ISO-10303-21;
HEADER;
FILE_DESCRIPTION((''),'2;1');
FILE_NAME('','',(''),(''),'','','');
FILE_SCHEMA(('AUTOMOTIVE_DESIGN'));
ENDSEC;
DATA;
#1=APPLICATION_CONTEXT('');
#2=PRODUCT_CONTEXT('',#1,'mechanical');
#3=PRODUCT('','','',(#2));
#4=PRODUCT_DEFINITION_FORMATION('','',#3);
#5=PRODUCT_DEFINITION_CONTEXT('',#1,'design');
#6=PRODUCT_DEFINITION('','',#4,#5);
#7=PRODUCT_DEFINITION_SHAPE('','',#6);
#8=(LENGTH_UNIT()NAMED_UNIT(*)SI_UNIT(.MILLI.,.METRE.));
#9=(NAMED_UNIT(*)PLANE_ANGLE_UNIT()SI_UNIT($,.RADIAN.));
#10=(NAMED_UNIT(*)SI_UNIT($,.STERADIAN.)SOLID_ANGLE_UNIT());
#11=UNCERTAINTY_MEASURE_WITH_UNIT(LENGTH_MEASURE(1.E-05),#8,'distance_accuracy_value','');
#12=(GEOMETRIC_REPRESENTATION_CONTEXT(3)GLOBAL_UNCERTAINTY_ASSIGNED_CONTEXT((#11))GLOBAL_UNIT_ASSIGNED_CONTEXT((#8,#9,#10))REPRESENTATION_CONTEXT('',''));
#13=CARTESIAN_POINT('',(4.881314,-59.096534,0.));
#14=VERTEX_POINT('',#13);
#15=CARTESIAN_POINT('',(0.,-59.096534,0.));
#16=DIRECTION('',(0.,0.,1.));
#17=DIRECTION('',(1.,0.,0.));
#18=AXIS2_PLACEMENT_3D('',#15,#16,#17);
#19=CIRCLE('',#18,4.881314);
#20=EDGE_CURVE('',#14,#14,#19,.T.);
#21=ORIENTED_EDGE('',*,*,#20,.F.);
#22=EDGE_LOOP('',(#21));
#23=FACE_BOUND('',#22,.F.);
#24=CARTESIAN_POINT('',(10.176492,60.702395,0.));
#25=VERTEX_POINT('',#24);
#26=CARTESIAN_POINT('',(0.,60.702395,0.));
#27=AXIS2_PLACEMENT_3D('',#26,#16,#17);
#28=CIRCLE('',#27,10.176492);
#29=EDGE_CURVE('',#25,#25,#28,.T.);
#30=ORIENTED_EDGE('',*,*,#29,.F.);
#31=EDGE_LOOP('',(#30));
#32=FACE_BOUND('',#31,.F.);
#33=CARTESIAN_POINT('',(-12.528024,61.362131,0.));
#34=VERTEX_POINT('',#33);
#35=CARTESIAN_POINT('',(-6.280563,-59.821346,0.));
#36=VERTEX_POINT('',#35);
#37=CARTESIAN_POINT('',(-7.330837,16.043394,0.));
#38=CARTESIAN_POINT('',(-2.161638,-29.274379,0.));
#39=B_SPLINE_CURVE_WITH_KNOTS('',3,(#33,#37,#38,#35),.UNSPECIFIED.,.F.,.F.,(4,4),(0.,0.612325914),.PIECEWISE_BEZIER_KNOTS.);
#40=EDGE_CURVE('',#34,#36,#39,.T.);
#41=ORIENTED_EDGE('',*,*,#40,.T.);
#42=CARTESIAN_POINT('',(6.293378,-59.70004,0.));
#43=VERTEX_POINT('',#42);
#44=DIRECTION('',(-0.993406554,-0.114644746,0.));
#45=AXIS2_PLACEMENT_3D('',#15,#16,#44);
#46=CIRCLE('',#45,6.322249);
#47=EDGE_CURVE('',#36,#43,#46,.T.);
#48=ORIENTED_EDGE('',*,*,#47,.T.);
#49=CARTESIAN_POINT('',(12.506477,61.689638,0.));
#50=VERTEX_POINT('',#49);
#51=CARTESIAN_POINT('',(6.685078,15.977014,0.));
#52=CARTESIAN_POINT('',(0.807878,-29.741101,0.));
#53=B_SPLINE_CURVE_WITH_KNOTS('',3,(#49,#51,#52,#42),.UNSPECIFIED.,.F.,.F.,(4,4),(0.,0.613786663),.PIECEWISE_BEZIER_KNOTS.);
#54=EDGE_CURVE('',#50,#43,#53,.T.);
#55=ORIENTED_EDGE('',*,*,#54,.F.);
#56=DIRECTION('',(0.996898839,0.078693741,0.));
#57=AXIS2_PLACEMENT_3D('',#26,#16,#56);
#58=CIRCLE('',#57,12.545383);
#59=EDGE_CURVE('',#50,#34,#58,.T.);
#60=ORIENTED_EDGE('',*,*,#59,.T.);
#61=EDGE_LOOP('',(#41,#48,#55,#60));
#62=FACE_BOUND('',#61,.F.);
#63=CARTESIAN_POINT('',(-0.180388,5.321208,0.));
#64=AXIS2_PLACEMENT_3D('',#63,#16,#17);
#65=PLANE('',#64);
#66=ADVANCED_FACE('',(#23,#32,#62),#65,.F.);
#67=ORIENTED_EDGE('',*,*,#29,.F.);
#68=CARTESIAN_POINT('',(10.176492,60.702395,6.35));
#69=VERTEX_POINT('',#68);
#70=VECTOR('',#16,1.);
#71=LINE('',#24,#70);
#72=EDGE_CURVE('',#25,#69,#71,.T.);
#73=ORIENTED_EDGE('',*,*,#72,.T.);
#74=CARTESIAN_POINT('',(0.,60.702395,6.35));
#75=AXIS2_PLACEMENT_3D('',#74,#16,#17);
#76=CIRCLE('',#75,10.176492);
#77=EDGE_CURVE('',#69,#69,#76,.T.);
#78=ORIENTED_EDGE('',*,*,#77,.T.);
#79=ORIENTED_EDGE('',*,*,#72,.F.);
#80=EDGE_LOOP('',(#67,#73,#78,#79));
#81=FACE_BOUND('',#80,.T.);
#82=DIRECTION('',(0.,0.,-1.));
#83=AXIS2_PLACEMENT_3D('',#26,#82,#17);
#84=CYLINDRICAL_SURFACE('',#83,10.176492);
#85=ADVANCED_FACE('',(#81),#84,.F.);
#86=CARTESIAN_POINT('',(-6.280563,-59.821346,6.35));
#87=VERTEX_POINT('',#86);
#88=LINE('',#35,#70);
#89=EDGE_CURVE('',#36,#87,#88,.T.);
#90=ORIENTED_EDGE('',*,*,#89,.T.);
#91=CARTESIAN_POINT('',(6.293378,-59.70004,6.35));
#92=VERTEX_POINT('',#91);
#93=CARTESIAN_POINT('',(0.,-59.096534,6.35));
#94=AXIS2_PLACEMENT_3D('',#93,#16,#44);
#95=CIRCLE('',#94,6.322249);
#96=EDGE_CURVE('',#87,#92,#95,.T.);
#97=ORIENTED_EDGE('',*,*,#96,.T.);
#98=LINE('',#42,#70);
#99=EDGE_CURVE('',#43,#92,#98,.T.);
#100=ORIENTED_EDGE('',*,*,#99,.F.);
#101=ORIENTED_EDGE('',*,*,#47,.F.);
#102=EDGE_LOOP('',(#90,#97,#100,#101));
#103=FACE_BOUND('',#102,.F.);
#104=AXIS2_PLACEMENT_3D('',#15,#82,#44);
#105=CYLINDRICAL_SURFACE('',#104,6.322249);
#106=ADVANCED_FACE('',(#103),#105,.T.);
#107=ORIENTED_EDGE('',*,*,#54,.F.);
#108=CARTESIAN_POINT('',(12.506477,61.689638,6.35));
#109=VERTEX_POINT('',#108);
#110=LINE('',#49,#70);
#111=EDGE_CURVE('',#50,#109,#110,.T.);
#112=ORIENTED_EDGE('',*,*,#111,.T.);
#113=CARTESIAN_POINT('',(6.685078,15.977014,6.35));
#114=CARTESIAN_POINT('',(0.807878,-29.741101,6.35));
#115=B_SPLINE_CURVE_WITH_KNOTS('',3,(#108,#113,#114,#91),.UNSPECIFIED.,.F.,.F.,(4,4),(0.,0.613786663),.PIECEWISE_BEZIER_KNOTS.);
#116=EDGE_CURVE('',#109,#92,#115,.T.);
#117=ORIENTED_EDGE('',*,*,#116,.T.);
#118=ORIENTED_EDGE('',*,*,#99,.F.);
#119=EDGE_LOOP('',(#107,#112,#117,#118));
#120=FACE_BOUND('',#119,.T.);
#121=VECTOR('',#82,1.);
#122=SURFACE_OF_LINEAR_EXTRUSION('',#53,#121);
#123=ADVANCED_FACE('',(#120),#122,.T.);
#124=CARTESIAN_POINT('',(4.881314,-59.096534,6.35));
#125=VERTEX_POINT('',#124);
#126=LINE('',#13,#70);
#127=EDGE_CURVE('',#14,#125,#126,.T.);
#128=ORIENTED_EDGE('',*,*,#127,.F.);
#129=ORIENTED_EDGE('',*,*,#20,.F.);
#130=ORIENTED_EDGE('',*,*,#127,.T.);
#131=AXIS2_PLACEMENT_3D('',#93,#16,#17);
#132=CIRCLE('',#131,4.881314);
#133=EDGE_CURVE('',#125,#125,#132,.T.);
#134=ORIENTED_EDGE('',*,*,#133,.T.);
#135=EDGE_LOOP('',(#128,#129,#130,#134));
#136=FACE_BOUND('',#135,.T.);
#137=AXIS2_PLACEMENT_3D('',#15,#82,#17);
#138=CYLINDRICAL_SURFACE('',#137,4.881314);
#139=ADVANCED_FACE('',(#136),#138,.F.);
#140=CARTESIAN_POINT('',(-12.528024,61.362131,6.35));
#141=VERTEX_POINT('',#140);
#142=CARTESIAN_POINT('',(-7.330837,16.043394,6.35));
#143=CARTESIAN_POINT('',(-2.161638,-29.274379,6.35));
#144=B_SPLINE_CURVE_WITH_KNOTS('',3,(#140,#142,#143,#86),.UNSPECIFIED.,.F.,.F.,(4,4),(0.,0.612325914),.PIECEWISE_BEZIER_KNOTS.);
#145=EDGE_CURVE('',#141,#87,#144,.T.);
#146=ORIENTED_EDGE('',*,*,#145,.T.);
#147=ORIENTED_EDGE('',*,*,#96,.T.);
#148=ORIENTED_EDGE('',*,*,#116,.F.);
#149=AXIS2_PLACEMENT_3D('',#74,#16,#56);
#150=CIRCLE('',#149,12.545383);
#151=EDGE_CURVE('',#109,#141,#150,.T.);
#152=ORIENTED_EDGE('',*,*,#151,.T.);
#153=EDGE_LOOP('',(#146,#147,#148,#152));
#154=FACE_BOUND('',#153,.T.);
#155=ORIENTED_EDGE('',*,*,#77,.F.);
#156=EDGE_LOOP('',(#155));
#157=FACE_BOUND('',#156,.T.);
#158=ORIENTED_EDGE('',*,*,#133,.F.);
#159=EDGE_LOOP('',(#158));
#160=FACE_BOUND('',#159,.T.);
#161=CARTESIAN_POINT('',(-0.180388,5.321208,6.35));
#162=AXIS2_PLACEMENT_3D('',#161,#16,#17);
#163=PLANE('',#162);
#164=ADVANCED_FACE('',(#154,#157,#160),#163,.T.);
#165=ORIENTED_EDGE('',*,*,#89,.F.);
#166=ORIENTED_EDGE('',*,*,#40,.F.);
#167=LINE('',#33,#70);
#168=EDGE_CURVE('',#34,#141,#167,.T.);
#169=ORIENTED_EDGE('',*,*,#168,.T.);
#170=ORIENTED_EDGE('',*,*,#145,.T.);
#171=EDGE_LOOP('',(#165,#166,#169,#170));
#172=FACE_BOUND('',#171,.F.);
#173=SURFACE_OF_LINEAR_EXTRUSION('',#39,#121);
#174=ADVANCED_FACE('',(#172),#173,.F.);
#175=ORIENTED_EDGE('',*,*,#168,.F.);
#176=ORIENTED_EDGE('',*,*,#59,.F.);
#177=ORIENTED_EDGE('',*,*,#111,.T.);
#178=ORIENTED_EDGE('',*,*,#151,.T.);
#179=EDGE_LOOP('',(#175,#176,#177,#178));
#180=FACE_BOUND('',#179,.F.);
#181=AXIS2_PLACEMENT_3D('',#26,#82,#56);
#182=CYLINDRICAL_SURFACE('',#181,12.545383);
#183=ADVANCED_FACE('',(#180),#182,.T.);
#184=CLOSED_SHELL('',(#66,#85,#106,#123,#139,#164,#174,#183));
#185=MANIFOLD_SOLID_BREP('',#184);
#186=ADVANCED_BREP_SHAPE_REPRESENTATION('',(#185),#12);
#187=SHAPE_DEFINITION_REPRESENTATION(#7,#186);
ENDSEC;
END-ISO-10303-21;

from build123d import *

# Parameters (mm, degrees)
F0_R     = 4.8813139191
F0_R_2   = 10.1764917569
F1_DEPTH = 6.35


with BuildPart() as f1:
    # F0 (on Top) → F1 (new body)
    with BuildSketch(Plane.XY):
        with BuildLine():
            add(Edge.make_bspline(
                [(-12.5280236165, 61.3621314645), (-7.3308367109, 16.0433941021), (-2.1616382879, -29.2743790858), (-6.2805634765, -59.8213464213)],
                knots=[0, 0, 0, 0, 0.612325914, 0.612325914, 0.612325914, 0.612325914], degree=3))
            ThreePointArc((-6.2805634765, -59.8213464213), (0.0609906573, -65.418488491), (6.2933783491, -59.7000401142))
            add(Edge.make_bspline(
                [(12.5064774979, 61.6896377928), (6.6850781441, 15.9770144044), (0.8078775975, -29.741100788), (6.2933783491, -59.7000401142)],
                knots=[0, 0, 0, 0, 0.6137866635, 0.6137866635, 0.6137866635, 0.6137866635], degree=3))
            ThreePointArc((12.5064774979, 61.6896377928), (-0.1641071527, 73.2467040487), (-12.5280236165, 61.3621314645))
        make_face()
        with Locations((0, -59.0965338051)):
            Circle(F0_R, mode=Mode.SUBTRACT)
        with Locations((0, 60.7023946941)):
            Circle(F0_R_2, mode=Mode.SUBTRACT)
    extrude(amount=F1_DEPTH)


solid = f1.part
